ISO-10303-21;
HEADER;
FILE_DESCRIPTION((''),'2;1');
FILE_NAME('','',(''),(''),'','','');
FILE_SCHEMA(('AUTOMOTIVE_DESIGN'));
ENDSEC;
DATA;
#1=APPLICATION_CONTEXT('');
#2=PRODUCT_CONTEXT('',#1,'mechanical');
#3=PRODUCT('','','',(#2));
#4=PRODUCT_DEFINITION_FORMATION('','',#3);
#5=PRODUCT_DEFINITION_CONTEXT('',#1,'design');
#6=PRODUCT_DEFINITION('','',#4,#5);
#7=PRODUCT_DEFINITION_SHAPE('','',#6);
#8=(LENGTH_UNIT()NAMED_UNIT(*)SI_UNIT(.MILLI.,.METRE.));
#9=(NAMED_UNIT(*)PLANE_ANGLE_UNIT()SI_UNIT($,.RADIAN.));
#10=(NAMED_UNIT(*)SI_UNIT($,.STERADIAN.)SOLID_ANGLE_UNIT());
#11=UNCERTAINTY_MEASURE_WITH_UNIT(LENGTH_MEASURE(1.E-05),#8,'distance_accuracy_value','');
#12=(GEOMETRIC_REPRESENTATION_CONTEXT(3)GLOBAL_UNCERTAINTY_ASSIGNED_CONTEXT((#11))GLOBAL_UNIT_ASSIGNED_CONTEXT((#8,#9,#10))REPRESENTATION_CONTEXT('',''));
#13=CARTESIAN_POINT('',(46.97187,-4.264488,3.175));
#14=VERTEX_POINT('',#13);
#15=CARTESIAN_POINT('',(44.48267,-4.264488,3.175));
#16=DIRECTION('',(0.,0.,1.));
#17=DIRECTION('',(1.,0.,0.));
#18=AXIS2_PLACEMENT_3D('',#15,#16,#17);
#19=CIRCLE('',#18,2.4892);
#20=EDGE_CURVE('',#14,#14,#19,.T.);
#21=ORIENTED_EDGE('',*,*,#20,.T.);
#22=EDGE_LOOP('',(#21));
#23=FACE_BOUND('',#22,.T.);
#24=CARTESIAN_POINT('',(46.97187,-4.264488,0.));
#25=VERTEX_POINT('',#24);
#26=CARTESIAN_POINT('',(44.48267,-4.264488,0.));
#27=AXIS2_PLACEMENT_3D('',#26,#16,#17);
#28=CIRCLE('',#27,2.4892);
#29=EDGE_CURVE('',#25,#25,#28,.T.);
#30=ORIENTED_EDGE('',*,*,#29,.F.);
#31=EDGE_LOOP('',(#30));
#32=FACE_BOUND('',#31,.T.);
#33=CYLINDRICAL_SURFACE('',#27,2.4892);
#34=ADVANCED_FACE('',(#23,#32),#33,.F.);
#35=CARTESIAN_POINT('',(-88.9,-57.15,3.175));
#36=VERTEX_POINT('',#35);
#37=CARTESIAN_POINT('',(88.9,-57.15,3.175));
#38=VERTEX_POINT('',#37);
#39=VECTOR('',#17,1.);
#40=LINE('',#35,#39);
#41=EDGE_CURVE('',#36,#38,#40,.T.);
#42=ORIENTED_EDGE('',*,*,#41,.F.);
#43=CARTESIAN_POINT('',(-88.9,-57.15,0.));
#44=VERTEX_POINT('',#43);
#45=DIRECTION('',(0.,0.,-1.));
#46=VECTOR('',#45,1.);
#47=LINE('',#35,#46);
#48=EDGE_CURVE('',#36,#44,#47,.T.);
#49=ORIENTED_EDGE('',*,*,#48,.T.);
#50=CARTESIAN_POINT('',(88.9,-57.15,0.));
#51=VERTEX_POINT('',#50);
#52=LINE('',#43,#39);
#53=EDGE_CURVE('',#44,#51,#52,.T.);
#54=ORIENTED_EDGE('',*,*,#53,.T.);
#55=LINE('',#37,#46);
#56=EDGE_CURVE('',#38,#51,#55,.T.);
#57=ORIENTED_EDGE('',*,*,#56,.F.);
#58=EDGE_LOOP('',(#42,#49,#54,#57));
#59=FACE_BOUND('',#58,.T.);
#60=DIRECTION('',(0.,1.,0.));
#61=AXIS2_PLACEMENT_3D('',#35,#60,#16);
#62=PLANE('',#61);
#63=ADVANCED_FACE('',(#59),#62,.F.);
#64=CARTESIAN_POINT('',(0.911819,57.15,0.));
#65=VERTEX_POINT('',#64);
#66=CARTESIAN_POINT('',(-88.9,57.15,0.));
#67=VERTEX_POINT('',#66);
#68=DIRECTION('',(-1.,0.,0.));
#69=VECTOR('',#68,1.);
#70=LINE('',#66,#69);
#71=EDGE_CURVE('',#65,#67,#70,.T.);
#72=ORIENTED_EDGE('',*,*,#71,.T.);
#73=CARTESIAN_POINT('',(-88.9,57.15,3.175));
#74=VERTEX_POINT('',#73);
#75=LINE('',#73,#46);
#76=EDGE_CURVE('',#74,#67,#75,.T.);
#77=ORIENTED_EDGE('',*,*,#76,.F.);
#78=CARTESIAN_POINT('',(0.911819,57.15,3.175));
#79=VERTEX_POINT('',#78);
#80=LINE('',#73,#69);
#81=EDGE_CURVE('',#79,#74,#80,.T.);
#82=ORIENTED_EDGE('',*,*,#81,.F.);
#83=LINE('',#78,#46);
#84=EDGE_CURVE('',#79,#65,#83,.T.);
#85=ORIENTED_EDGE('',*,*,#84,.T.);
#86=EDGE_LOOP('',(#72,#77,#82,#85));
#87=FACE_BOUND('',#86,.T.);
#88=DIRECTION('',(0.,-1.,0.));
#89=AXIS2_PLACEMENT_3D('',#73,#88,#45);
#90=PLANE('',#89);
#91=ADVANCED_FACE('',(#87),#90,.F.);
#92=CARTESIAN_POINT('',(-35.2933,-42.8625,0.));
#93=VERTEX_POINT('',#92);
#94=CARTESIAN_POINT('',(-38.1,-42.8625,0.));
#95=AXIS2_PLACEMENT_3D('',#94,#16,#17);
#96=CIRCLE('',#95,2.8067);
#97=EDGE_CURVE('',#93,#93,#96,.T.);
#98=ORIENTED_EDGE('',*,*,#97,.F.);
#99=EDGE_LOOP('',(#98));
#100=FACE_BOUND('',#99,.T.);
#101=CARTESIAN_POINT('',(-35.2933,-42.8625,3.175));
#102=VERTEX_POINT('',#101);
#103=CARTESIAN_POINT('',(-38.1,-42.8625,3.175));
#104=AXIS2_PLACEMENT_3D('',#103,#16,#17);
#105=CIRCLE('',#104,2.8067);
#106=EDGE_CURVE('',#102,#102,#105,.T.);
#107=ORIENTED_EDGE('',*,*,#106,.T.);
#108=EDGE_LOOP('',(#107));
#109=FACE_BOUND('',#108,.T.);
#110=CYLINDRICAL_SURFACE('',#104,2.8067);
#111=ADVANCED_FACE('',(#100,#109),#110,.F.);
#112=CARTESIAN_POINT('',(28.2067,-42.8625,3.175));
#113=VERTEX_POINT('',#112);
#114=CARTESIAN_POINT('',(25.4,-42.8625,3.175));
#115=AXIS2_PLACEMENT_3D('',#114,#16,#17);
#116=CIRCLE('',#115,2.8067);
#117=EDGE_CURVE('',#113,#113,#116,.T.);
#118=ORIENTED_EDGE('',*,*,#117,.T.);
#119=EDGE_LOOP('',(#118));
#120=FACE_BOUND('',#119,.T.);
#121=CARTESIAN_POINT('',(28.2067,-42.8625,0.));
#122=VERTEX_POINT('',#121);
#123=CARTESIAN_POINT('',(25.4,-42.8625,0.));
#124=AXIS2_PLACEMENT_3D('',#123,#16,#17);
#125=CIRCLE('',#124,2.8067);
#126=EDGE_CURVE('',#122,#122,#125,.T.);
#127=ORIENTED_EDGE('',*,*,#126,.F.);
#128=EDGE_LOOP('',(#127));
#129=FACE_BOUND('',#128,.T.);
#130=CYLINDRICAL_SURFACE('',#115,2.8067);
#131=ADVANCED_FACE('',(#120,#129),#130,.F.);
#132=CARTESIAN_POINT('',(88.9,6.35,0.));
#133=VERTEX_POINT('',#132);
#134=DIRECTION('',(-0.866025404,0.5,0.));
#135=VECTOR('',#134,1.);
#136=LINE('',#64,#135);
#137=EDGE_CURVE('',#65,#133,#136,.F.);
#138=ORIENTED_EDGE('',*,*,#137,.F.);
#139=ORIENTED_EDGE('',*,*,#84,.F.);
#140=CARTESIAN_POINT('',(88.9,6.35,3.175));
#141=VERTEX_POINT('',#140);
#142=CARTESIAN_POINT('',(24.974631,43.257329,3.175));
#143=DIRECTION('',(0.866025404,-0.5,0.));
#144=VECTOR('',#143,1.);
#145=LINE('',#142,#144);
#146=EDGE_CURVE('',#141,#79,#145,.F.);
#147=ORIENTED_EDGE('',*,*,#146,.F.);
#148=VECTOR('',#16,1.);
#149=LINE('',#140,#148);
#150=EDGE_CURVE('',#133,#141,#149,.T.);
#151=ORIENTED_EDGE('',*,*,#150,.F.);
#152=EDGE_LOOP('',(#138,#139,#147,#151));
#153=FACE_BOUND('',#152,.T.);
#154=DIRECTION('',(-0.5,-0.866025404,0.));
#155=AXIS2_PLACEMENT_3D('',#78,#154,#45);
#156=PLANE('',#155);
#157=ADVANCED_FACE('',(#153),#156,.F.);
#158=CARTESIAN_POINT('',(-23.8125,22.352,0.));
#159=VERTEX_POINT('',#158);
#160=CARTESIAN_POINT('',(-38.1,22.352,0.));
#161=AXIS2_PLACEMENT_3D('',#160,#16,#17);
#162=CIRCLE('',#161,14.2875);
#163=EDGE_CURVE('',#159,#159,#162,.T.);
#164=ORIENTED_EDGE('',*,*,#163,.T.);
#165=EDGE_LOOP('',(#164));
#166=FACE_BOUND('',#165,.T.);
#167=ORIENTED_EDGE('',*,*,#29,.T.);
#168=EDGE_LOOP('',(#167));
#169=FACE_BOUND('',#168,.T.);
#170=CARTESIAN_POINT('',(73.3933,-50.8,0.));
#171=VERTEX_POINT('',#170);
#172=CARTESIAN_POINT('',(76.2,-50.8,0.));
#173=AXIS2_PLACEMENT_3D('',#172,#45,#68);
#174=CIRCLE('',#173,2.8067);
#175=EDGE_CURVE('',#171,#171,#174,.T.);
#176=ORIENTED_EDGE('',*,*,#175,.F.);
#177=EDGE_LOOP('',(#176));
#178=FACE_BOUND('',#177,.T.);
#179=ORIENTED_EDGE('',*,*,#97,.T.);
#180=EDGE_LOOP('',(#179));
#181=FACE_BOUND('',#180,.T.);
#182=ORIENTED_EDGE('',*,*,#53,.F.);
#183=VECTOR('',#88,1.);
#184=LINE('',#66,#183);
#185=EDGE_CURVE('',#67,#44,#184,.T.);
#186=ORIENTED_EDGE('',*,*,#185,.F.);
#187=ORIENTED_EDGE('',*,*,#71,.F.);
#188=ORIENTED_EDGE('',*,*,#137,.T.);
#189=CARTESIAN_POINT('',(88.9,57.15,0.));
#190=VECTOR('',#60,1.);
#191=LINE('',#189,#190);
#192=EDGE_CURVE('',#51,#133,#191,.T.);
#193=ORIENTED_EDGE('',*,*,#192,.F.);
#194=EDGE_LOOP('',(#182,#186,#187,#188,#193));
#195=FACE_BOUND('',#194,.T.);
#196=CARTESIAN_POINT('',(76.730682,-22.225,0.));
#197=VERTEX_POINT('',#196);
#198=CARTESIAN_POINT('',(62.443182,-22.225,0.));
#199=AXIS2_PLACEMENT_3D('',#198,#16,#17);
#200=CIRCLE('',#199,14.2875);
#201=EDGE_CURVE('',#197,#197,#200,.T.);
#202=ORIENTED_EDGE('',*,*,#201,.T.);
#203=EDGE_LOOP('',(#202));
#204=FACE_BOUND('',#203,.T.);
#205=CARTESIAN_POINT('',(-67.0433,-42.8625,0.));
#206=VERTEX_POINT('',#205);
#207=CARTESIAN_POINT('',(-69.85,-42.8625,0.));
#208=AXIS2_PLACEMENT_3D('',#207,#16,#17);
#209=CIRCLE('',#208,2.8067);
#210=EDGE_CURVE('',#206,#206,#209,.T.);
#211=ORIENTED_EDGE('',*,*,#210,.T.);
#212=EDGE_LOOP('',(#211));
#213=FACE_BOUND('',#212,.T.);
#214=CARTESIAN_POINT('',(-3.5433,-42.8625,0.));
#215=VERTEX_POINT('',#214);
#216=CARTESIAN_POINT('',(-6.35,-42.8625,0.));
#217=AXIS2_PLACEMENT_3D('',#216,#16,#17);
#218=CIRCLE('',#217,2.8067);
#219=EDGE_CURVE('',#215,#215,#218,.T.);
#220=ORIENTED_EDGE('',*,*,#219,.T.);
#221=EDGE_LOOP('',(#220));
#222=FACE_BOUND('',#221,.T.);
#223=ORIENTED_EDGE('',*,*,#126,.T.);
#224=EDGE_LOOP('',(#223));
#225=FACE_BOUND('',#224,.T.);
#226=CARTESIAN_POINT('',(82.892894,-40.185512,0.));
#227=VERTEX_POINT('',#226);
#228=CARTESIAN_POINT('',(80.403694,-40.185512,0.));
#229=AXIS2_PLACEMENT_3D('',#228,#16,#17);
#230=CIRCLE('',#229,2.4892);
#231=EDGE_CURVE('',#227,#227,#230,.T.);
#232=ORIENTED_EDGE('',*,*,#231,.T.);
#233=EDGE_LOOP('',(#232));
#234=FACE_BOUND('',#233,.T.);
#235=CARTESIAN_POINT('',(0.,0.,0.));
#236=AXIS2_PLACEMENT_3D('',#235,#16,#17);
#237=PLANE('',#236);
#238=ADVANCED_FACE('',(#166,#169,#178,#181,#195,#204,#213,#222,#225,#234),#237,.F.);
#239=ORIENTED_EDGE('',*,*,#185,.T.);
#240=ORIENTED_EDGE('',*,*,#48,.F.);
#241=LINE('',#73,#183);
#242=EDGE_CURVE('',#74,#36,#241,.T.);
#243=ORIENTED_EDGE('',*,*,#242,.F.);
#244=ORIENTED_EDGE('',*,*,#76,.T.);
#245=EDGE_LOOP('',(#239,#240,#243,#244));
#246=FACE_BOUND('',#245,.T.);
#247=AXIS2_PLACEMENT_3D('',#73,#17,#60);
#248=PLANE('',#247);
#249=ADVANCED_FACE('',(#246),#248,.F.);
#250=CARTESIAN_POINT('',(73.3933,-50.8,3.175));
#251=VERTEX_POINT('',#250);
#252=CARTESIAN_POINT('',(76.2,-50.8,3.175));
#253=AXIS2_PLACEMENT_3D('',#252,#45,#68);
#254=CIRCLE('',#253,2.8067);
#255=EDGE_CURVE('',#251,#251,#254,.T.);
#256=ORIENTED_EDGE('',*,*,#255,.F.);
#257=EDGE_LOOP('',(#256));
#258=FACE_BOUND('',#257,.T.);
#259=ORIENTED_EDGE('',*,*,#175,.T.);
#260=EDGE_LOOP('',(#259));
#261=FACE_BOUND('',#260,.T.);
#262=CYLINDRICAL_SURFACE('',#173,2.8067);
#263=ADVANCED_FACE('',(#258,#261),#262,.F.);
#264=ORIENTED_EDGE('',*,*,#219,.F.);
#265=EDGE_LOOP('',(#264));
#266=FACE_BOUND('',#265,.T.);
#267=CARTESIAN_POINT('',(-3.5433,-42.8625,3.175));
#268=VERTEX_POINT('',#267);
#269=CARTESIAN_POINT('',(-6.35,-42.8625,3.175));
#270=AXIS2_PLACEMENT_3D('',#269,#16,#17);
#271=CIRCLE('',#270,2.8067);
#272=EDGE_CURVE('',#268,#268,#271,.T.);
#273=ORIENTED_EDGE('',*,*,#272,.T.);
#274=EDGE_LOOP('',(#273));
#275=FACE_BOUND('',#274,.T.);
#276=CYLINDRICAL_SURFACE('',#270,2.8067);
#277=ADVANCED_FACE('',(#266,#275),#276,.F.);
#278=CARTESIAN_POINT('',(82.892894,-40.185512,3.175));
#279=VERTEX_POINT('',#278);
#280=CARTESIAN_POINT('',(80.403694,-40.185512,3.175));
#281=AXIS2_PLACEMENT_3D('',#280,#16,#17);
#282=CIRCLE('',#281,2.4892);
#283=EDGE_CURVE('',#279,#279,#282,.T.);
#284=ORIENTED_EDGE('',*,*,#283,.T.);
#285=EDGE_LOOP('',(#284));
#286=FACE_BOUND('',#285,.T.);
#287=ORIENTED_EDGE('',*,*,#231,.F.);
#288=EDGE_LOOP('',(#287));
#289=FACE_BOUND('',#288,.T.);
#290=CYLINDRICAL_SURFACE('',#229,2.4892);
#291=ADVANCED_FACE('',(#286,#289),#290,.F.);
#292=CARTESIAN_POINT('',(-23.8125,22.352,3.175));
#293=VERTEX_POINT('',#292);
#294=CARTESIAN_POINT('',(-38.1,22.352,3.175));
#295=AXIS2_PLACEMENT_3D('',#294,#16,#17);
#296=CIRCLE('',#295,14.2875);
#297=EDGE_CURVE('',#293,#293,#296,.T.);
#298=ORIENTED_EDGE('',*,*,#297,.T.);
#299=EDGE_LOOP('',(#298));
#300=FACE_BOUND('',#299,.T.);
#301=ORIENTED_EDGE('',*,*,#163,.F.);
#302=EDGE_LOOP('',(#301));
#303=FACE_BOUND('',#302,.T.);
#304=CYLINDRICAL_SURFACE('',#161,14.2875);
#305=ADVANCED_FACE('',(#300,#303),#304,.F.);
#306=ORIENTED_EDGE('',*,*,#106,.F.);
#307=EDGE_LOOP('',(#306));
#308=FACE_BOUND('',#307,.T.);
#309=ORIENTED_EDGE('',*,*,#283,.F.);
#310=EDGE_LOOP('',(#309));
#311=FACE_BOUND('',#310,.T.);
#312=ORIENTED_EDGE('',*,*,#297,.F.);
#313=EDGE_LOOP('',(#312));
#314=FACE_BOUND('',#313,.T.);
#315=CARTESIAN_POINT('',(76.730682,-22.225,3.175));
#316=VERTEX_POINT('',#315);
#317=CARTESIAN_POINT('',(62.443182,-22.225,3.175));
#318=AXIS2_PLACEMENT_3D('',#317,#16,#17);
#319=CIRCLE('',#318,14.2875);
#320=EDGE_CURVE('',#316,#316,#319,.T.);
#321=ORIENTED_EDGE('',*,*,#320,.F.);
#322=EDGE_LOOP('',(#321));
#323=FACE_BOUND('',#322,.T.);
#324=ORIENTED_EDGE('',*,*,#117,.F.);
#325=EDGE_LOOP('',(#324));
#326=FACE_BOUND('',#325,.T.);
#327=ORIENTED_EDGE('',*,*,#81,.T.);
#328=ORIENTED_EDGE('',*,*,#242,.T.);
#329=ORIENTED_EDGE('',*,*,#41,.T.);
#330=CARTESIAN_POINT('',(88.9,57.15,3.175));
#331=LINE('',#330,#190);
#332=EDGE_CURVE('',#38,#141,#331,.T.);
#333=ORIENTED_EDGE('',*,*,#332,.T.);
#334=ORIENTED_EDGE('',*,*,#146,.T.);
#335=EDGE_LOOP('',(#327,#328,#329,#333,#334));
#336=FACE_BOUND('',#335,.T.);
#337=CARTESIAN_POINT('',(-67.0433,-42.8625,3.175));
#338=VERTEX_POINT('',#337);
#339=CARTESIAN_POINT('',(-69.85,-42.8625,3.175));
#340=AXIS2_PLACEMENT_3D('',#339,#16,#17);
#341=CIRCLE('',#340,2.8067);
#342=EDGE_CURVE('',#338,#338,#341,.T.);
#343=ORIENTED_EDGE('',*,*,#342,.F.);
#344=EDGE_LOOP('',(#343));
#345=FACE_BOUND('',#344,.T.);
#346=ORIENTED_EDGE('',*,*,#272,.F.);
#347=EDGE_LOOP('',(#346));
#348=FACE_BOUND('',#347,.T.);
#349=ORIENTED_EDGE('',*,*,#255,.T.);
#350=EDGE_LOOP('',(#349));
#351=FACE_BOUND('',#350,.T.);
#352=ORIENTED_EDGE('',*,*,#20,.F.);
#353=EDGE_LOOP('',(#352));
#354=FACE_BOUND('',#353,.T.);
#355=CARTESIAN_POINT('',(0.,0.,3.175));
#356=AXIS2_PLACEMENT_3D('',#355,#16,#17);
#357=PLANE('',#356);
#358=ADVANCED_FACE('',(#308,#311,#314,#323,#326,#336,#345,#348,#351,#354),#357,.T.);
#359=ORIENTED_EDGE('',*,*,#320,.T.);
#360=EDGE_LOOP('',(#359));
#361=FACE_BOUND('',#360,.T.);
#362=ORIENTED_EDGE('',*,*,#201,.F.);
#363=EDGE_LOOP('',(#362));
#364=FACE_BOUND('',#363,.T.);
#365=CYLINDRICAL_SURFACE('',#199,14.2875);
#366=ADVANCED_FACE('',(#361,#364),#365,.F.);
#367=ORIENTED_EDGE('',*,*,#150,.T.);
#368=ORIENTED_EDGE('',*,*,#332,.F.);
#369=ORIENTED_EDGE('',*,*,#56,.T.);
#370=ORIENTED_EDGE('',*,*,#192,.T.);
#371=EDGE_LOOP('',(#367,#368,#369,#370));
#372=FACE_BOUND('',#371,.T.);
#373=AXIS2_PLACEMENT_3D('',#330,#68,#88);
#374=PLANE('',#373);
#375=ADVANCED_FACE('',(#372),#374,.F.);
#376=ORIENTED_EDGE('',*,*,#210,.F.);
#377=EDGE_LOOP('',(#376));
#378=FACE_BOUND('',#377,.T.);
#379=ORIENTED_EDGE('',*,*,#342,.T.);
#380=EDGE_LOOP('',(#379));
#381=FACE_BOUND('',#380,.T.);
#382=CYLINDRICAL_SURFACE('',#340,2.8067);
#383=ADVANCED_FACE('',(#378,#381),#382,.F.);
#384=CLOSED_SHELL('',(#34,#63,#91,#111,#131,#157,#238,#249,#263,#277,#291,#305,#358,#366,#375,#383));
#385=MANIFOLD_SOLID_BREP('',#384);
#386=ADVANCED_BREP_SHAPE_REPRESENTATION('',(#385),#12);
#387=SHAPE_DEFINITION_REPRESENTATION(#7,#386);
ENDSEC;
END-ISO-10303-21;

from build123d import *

# Parameters (mm, degrees)
SKETCH1_W              = 177.8
SKETCH1_H              = 114.3
BOSS_EXTRUDE1_DEPTH    = 3.175
SKETCH2_R              = 14.2875
CUT_EXTRUDE1_DEPTH     = 3.175
F_10_CLEARANCE_HOLE1_D = 5.6134
SKETCH5_R              = 14.2875
SKETCH5_R_2            = 2.4892
CUT_EXTRUDE2_DEPTH     = 4.175
CHAMFER1_SIZE          = 50.8
CHAMFER1_SIZE2         = 87.988181024
F_10_CLEARANCE_HOLE2_D = 5.6134


with BuildPart() as part:
    # Sketch1 → Boss-Extrude1 (new body)
    with BuildSketch(Plane.XY):
        Rectangle(SKETCH1_W, SKETCH1_H)
    extrude(amount=BOSS_EXTRUDE1_DEPTH)

    # Sketch2 → Cut-Extrude1 (cut)
    with BuildSketch(Plane.XY.offset(3.175)):
        with Locations((-38.1, 22.352)):
            Circle(SKETCH2_R)
    extrude(amount=-CUT_EXTRUDE1_DEPTH, mode=Mode.SUBTRACT)

    # #10 Clearance Hole1 (through all)
    with Locations(Plane.XY.offset(3.175)):
        with Locations((-69.85, -42.8625), (-38.1, -42.8625), (-6.35, -42.8625), (25.4, -42.8625)):
            Hole(F_10_CLEARANCE_HOLE1_D / 2)

    # Sketch5 → Cut-Extrude2 (cut, through all)
    with BuildSketch(Plane.XY.offset(3.175)):
        with Locations((62.443181743, -22.225)):
            Circle(SKETCH5_R)
        with Locations((44.482669501, -4.264487758)):
            Circle(SKETCH5_R_2)
        with Locations((80.403693985, -40.185512242)):
            Circle(SKETCH5_R_2)
    extrude(amount=-CUT_EXTRUDE2_DEPTH, mode=Mode.SUBTRACT)

    # Chamfer1
    chamfer1_edges = [part.edges().sort_by_distance(p)[0] for p in [
        (88.9, 57.15, 1.5875),
    ]]
    chamfer1_side = [part.faces().sort_by_distance(p)[0] for p in [
        (88.9, 0, 1.5875),
    ]]
    chamfer(chamfer1_edges, length=CHAMFER1_SIZE, length2=CHAMFER1_SIZE2, reference=chamfer1_side[0])

    # #10 Clearance Hole2 (through all)
    with Locations(Plane(origin=(0, 0, 0), x_dir=(-1, 0, 0), z_dir=(0, 0, -1))):
        with Locations((-76.2, -50.8)):
            Hole(F_10_CLEARANCE_HOLE2_D / 2)


solid = part.part
